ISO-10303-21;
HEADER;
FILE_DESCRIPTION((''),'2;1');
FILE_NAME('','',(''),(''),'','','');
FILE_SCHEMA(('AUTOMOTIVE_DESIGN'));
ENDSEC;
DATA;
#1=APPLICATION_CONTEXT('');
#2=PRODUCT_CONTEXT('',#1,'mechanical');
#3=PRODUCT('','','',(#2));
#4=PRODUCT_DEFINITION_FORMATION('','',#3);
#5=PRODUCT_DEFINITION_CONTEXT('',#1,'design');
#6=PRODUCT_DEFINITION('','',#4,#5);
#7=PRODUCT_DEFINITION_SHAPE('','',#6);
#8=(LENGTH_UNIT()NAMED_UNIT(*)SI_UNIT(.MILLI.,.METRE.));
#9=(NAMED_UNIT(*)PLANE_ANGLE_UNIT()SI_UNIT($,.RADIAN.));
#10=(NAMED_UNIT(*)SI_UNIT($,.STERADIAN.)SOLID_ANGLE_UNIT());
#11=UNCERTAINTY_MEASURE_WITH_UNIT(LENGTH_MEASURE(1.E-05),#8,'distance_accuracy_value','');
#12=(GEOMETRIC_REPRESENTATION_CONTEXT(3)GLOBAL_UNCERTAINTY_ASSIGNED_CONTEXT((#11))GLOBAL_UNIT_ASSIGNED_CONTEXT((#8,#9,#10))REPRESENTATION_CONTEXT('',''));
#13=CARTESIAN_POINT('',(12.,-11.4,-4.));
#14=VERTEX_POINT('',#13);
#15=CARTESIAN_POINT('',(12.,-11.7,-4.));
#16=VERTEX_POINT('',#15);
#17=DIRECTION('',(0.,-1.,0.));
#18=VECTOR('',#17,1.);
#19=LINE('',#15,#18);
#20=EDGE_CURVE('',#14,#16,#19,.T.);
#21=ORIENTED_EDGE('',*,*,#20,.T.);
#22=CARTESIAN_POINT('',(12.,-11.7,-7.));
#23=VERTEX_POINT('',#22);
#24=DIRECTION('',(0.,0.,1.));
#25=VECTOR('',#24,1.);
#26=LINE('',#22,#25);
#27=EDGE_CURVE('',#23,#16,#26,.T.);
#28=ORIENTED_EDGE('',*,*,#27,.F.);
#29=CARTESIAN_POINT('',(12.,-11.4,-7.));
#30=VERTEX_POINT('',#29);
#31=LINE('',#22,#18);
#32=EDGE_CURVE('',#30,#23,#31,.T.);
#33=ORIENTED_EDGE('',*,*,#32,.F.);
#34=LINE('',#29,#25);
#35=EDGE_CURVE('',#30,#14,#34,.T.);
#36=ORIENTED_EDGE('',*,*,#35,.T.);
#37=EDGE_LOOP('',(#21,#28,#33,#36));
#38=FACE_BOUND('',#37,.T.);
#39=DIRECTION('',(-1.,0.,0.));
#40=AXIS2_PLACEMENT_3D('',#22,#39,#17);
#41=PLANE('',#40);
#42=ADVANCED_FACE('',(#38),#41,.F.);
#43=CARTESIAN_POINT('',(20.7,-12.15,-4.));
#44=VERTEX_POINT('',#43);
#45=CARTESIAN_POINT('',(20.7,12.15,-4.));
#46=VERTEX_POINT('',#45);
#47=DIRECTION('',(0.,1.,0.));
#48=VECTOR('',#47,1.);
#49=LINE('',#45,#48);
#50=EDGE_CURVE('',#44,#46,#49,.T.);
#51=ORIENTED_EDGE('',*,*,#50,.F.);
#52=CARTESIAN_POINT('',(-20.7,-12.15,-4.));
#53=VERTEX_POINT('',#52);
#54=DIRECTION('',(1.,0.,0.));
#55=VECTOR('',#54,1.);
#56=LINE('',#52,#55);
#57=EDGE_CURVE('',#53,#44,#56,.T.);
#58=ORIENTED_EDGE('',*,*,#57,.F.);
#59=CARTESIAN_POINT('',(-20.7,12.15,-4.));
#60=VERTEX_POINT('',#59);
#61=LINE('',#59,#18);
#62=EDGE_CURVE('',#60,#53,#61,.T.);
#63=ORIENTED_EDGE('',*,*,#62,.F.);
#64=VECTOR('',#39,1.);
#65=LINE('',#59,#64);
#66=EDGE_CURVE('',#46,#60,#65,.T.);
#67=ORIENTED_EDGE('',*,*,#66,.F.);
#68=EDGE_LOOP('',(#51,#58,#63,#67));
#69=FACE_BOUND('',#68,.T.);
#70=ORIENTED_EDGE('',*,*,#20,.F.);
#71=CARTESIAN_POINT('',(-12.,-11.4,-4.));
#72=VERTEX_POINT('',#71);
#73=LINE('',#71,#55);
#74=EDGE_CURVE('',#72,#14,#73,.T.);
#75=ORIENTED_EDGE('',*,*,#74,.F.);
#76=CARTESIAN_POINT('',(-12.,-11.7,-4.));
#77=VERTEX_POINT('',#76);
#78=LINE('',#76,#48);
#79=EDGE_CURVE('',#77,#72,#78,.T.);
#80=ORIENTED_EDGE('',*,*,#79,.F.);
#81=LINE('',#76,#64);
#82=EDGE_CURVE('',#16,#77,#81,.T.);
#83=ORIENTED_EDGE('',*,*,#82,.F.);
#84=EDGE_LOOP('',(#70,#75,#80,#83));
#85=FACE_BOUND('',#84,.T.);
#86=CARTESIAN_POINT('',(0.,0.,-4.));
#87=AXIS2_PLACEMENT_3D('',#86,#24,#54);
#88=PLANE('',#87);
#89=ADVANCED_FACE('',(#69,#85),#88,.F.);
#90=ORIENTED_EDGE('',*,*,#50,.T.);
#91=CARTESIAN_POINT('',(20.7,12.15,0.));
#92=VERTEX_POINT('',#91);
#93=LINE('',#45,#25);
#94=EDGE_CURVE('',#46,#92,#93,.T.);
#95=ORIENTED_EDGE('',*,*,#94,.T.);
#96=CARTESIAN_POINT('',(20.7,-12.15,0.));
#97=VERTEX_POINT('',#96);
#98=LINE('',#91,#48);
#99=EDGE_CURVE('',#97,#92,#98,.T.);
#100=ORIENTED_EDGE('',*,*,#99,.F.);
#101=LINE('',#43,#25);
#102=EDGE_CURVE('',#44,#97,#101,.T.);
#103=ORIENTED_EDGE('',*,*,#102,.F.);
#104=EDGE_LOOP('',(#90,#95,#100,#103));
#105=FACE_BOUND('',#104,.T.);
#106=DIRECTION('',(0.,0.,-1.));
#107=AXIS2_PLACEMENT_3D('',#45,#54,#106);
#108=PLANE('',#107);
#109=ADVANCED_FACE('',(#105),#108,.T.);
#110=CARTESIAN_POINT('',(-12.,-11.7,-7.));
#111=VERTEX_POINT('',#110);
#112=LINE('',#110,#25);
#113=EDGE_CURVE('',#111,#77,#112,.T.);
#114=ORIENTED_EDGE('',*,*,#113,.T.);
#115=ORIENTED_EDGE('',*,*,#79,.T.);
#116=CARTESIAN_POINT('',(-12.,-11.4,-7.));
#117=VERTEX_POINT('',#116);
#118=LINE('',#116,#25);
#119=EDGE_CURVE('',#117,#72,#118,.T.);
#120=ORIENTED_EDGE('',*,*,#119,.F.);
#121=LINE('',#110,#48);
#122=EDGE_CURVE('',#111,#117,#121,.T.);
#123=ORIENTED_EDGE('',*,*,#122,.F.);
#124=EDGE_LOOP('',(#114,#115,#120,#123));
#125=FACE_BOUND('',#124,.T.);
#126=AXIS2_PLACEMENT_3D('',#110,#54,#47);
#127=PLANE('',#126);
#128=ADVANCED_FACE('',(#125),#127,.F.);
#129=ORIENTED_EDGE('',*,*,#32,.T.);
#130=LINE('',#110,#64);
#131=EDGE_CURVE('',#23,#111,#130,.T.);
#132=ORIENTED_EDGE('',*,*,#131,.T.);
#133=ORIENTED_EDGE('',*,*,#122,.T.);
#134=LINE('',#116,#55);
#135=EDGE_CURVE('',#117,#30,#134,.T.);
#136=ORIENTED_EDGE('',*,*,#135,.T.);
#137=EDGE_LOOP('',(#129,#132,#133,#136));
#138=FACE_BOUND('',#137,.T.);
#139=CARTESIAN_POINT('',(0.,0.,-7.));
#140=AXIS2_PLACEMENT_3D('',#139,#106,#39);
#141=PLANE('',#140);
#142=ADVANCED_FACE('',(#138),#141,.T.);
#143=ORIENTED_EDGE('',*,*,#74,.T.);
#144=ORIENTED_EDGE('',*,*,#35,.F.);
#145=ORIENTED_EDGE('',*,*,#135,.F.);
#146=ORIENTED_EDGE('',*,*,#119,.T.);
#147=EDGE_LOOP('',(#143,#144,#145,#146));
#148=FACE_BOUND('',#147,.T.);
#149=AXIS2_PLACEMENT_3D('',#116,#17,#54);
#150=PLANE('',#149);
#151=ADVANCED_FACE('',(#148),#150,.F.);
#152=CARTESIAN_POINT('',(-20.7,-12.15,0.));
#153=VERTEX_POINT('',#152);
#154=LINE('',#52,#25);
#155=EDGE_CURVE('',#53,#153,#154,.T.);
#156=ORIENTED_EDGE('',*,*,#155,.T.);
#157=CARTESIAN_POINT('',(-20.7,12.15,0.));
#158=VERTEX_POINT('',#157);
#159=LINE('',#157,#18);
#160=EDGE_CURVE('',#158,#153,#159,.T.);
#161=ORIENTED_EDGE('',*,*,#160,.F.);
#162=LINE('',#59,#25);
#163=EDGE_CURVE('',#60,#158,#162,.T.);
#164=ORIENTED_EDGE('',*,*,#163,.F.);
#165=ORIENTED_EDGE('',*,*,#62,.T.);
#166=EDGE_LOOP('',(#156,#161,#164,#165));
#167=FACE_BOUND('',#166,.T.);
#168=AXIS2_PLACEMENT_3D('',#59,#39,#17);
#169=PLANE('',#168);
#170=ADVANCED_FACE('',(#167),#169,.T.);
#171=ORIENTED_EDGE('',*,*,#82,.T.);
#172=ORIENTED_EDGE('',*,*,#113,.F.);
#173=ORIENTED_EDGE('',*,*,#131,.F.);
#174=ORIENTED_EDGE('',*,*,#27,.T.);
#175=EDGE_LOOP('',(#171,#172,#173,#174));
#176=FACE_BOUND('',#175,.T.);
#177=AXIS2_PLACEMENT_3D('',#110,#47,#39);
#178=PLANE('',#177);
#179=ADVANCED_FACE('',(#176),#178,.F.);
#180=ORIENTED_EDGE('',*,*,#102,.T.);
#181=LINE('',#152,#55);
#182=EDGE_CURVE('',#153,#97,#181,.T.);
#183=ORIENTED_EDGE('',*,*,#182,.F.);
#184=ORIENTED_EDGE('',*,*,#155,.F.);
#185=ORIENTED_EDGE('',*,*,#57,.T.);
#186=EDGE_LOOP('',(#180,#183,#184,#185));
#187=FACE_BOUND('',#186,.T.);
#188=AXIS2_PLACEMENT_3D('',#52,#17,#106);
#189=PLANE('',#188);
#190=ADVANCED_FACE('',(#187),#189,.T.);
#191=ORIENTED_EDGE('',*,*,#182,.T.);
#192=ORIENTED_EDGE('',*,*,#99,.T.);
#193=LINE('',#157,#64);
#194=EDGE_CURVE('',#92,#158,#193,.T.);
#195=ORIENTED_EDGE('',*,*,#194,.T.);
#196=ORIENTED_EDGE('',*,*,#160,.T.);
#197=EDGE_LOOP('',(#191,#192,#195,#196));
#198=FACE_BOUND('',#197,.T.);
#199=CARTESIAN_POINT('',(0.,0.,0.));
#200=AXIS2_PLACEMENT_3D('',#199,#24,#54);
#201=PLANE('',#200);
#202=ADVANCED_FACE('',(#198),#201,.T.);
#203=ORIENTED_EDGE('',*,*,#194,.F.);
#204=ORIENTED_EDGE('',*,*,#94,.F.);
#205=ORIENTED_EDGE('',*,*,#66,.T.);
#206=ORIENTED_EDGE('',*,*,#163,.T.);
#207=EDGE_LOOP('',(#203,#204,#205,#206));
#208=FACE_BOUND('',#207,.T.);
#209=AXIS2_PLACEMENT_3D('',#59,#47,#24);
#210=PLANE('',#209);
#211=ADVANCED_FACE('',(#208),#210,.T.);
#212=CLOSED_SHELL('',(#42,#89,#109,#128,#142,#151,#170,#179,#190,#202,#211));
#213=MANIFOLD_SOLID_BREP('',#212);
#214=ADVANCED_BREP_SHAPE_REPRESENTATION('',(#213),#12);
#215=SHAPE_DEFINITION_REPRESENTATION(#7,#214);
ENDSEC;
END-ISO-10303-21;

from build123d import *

# Parameters (mm, degrees)
SKETCH1_W           = 41.4
SKETCH1_H           = 24.3
BOSS_EXTRUDE1_DEPTH = 4
SKETCH2_W           = 24
SKETCH2_H           = 0.3
BOSS_EXTRUDE2_DEPTH = 3


with BuildPart() as part:
    # Sketch1 → Boss-Extrude1 (new body)
    with BuildSketch(Plane.XY):
        Rectangle(SKETCH1_W, SKETCH1_H)
    extrude(amount=-BOSS_EXTRUDE1_DEPTH)

    # Sketch2 → Boss-Extrude2 (add)
    with BuildSketch(Plane(origin=(0, 0, -4), x_dir=(-1, 0, 0), z_dir=(0, 0, -1))):
        with Locations((0, -11.55)):
            Rectangle(SKETCH2_W, SKETCH2_H)
    extrude(amount=BOSS_EXTRUDE2_DEPTH)


solid = part.part
